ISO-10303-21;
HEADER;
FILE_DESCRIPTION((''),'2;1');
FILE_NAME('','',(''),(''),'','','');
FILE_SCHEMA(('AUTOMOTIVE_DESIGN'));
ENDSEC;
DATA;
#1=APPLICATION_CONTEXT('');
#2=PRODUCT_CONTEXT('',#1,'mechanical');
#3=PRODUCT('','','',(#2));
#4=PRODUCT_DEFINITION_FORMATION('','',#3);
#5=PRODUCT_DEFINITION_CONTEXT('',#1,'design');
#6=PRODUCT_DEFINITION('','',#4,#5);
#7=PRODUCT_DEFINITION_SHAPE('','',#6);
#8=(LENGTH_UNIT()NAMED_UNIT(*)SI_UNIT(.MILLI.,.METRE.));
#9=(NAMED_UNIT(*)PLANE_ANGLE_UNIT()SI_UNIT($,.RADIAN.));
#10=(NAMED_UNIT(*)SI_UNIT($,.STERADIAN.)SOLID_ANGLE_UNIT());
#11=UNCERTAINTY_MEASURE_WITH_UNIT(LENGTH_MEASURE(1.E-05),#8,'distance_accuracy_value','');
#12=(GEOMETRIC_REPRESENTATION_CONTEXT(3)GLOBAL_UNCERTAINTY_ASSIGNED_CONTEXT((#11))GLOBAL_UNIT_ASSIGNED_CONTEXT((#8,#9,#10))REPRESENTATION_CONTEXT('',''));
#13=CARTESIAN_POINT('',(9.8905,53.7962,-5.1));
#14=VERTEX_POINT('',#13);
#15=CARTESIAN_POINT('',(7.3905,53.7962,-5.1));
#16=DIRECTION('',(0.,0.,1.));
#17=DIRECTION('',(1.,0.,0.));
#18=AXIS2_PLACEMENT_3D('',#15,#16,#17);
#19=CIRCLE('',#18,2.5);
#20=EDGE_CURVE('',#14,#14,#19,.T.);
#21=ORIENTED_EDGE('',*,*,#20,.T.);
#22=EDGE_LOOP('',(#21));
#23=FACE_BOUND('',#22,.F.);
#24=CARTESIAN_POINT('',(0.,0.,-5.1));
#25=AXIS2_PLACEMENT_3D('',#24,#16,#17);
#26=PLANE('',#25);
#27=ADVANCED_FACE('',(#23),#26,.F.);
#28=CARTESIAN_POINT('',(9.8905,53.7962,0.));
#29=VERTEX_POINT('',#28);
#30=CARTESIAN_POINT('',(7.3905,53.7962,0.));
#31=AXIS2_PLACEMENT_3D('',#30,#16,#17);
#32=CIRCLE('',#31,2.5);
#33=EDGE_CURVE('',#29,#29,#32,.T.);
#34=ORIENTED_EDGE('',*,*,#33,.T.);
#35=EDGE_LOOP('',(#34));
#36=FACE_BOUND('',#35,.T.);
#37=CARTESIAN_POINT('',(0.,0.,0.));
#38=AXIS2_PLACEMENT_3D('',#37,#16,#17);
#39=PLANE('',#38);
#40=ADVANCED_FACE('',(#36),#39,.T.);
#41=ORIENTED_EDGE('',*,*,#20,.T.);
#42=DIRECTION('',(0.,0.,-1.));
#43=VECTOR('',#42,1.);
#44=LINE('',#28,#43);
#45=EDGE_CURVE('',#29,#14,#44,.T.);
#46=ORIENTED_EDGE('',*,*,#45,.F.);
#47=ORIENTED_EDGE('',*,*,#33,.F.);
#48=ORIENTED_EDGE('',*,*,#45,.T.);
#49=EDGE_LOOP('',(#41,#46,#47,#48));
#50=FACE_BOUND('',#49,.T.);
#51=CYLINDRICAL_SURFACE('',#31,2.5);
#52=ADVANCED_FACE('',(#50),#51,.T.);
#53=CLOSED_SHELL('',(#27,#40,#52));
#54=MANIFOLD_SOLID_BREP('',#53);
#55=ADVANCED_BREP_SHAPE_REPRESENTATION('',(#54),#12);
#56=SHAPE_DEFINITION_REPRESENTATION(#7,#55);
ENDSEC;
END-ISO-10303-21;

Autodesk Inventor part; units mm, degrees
ref_plane "YZ Plane" through (0, 0, 0) normal (1, 0, 0) x (0, 1, 0)
ref_plane "XZ Plane" through (0, 0, 0) normal (0, 1, 0) x (-1, 0, 0)
ref_plane "XY Plane" through (0, 0, 0) normal (0, 0, 1) x (1, 0, 0)
sketch "Sketch1" plane through (0, 0, 0) normal (0, 0, 1) x (1, 0, 0)
  circle A0 centre (7.3905, 53.7962) radius 2.5
  point P0 (0, 0)
  dimension "d0" = 5
extrude "Extrusion1" add sketch "Sketch1" against normal blind 5.1
thread "Thread1" size "M5x0.8" class "6g" standard "ANSI Metric M Profile" length 43.6
properties part number "Mur Kamera"
